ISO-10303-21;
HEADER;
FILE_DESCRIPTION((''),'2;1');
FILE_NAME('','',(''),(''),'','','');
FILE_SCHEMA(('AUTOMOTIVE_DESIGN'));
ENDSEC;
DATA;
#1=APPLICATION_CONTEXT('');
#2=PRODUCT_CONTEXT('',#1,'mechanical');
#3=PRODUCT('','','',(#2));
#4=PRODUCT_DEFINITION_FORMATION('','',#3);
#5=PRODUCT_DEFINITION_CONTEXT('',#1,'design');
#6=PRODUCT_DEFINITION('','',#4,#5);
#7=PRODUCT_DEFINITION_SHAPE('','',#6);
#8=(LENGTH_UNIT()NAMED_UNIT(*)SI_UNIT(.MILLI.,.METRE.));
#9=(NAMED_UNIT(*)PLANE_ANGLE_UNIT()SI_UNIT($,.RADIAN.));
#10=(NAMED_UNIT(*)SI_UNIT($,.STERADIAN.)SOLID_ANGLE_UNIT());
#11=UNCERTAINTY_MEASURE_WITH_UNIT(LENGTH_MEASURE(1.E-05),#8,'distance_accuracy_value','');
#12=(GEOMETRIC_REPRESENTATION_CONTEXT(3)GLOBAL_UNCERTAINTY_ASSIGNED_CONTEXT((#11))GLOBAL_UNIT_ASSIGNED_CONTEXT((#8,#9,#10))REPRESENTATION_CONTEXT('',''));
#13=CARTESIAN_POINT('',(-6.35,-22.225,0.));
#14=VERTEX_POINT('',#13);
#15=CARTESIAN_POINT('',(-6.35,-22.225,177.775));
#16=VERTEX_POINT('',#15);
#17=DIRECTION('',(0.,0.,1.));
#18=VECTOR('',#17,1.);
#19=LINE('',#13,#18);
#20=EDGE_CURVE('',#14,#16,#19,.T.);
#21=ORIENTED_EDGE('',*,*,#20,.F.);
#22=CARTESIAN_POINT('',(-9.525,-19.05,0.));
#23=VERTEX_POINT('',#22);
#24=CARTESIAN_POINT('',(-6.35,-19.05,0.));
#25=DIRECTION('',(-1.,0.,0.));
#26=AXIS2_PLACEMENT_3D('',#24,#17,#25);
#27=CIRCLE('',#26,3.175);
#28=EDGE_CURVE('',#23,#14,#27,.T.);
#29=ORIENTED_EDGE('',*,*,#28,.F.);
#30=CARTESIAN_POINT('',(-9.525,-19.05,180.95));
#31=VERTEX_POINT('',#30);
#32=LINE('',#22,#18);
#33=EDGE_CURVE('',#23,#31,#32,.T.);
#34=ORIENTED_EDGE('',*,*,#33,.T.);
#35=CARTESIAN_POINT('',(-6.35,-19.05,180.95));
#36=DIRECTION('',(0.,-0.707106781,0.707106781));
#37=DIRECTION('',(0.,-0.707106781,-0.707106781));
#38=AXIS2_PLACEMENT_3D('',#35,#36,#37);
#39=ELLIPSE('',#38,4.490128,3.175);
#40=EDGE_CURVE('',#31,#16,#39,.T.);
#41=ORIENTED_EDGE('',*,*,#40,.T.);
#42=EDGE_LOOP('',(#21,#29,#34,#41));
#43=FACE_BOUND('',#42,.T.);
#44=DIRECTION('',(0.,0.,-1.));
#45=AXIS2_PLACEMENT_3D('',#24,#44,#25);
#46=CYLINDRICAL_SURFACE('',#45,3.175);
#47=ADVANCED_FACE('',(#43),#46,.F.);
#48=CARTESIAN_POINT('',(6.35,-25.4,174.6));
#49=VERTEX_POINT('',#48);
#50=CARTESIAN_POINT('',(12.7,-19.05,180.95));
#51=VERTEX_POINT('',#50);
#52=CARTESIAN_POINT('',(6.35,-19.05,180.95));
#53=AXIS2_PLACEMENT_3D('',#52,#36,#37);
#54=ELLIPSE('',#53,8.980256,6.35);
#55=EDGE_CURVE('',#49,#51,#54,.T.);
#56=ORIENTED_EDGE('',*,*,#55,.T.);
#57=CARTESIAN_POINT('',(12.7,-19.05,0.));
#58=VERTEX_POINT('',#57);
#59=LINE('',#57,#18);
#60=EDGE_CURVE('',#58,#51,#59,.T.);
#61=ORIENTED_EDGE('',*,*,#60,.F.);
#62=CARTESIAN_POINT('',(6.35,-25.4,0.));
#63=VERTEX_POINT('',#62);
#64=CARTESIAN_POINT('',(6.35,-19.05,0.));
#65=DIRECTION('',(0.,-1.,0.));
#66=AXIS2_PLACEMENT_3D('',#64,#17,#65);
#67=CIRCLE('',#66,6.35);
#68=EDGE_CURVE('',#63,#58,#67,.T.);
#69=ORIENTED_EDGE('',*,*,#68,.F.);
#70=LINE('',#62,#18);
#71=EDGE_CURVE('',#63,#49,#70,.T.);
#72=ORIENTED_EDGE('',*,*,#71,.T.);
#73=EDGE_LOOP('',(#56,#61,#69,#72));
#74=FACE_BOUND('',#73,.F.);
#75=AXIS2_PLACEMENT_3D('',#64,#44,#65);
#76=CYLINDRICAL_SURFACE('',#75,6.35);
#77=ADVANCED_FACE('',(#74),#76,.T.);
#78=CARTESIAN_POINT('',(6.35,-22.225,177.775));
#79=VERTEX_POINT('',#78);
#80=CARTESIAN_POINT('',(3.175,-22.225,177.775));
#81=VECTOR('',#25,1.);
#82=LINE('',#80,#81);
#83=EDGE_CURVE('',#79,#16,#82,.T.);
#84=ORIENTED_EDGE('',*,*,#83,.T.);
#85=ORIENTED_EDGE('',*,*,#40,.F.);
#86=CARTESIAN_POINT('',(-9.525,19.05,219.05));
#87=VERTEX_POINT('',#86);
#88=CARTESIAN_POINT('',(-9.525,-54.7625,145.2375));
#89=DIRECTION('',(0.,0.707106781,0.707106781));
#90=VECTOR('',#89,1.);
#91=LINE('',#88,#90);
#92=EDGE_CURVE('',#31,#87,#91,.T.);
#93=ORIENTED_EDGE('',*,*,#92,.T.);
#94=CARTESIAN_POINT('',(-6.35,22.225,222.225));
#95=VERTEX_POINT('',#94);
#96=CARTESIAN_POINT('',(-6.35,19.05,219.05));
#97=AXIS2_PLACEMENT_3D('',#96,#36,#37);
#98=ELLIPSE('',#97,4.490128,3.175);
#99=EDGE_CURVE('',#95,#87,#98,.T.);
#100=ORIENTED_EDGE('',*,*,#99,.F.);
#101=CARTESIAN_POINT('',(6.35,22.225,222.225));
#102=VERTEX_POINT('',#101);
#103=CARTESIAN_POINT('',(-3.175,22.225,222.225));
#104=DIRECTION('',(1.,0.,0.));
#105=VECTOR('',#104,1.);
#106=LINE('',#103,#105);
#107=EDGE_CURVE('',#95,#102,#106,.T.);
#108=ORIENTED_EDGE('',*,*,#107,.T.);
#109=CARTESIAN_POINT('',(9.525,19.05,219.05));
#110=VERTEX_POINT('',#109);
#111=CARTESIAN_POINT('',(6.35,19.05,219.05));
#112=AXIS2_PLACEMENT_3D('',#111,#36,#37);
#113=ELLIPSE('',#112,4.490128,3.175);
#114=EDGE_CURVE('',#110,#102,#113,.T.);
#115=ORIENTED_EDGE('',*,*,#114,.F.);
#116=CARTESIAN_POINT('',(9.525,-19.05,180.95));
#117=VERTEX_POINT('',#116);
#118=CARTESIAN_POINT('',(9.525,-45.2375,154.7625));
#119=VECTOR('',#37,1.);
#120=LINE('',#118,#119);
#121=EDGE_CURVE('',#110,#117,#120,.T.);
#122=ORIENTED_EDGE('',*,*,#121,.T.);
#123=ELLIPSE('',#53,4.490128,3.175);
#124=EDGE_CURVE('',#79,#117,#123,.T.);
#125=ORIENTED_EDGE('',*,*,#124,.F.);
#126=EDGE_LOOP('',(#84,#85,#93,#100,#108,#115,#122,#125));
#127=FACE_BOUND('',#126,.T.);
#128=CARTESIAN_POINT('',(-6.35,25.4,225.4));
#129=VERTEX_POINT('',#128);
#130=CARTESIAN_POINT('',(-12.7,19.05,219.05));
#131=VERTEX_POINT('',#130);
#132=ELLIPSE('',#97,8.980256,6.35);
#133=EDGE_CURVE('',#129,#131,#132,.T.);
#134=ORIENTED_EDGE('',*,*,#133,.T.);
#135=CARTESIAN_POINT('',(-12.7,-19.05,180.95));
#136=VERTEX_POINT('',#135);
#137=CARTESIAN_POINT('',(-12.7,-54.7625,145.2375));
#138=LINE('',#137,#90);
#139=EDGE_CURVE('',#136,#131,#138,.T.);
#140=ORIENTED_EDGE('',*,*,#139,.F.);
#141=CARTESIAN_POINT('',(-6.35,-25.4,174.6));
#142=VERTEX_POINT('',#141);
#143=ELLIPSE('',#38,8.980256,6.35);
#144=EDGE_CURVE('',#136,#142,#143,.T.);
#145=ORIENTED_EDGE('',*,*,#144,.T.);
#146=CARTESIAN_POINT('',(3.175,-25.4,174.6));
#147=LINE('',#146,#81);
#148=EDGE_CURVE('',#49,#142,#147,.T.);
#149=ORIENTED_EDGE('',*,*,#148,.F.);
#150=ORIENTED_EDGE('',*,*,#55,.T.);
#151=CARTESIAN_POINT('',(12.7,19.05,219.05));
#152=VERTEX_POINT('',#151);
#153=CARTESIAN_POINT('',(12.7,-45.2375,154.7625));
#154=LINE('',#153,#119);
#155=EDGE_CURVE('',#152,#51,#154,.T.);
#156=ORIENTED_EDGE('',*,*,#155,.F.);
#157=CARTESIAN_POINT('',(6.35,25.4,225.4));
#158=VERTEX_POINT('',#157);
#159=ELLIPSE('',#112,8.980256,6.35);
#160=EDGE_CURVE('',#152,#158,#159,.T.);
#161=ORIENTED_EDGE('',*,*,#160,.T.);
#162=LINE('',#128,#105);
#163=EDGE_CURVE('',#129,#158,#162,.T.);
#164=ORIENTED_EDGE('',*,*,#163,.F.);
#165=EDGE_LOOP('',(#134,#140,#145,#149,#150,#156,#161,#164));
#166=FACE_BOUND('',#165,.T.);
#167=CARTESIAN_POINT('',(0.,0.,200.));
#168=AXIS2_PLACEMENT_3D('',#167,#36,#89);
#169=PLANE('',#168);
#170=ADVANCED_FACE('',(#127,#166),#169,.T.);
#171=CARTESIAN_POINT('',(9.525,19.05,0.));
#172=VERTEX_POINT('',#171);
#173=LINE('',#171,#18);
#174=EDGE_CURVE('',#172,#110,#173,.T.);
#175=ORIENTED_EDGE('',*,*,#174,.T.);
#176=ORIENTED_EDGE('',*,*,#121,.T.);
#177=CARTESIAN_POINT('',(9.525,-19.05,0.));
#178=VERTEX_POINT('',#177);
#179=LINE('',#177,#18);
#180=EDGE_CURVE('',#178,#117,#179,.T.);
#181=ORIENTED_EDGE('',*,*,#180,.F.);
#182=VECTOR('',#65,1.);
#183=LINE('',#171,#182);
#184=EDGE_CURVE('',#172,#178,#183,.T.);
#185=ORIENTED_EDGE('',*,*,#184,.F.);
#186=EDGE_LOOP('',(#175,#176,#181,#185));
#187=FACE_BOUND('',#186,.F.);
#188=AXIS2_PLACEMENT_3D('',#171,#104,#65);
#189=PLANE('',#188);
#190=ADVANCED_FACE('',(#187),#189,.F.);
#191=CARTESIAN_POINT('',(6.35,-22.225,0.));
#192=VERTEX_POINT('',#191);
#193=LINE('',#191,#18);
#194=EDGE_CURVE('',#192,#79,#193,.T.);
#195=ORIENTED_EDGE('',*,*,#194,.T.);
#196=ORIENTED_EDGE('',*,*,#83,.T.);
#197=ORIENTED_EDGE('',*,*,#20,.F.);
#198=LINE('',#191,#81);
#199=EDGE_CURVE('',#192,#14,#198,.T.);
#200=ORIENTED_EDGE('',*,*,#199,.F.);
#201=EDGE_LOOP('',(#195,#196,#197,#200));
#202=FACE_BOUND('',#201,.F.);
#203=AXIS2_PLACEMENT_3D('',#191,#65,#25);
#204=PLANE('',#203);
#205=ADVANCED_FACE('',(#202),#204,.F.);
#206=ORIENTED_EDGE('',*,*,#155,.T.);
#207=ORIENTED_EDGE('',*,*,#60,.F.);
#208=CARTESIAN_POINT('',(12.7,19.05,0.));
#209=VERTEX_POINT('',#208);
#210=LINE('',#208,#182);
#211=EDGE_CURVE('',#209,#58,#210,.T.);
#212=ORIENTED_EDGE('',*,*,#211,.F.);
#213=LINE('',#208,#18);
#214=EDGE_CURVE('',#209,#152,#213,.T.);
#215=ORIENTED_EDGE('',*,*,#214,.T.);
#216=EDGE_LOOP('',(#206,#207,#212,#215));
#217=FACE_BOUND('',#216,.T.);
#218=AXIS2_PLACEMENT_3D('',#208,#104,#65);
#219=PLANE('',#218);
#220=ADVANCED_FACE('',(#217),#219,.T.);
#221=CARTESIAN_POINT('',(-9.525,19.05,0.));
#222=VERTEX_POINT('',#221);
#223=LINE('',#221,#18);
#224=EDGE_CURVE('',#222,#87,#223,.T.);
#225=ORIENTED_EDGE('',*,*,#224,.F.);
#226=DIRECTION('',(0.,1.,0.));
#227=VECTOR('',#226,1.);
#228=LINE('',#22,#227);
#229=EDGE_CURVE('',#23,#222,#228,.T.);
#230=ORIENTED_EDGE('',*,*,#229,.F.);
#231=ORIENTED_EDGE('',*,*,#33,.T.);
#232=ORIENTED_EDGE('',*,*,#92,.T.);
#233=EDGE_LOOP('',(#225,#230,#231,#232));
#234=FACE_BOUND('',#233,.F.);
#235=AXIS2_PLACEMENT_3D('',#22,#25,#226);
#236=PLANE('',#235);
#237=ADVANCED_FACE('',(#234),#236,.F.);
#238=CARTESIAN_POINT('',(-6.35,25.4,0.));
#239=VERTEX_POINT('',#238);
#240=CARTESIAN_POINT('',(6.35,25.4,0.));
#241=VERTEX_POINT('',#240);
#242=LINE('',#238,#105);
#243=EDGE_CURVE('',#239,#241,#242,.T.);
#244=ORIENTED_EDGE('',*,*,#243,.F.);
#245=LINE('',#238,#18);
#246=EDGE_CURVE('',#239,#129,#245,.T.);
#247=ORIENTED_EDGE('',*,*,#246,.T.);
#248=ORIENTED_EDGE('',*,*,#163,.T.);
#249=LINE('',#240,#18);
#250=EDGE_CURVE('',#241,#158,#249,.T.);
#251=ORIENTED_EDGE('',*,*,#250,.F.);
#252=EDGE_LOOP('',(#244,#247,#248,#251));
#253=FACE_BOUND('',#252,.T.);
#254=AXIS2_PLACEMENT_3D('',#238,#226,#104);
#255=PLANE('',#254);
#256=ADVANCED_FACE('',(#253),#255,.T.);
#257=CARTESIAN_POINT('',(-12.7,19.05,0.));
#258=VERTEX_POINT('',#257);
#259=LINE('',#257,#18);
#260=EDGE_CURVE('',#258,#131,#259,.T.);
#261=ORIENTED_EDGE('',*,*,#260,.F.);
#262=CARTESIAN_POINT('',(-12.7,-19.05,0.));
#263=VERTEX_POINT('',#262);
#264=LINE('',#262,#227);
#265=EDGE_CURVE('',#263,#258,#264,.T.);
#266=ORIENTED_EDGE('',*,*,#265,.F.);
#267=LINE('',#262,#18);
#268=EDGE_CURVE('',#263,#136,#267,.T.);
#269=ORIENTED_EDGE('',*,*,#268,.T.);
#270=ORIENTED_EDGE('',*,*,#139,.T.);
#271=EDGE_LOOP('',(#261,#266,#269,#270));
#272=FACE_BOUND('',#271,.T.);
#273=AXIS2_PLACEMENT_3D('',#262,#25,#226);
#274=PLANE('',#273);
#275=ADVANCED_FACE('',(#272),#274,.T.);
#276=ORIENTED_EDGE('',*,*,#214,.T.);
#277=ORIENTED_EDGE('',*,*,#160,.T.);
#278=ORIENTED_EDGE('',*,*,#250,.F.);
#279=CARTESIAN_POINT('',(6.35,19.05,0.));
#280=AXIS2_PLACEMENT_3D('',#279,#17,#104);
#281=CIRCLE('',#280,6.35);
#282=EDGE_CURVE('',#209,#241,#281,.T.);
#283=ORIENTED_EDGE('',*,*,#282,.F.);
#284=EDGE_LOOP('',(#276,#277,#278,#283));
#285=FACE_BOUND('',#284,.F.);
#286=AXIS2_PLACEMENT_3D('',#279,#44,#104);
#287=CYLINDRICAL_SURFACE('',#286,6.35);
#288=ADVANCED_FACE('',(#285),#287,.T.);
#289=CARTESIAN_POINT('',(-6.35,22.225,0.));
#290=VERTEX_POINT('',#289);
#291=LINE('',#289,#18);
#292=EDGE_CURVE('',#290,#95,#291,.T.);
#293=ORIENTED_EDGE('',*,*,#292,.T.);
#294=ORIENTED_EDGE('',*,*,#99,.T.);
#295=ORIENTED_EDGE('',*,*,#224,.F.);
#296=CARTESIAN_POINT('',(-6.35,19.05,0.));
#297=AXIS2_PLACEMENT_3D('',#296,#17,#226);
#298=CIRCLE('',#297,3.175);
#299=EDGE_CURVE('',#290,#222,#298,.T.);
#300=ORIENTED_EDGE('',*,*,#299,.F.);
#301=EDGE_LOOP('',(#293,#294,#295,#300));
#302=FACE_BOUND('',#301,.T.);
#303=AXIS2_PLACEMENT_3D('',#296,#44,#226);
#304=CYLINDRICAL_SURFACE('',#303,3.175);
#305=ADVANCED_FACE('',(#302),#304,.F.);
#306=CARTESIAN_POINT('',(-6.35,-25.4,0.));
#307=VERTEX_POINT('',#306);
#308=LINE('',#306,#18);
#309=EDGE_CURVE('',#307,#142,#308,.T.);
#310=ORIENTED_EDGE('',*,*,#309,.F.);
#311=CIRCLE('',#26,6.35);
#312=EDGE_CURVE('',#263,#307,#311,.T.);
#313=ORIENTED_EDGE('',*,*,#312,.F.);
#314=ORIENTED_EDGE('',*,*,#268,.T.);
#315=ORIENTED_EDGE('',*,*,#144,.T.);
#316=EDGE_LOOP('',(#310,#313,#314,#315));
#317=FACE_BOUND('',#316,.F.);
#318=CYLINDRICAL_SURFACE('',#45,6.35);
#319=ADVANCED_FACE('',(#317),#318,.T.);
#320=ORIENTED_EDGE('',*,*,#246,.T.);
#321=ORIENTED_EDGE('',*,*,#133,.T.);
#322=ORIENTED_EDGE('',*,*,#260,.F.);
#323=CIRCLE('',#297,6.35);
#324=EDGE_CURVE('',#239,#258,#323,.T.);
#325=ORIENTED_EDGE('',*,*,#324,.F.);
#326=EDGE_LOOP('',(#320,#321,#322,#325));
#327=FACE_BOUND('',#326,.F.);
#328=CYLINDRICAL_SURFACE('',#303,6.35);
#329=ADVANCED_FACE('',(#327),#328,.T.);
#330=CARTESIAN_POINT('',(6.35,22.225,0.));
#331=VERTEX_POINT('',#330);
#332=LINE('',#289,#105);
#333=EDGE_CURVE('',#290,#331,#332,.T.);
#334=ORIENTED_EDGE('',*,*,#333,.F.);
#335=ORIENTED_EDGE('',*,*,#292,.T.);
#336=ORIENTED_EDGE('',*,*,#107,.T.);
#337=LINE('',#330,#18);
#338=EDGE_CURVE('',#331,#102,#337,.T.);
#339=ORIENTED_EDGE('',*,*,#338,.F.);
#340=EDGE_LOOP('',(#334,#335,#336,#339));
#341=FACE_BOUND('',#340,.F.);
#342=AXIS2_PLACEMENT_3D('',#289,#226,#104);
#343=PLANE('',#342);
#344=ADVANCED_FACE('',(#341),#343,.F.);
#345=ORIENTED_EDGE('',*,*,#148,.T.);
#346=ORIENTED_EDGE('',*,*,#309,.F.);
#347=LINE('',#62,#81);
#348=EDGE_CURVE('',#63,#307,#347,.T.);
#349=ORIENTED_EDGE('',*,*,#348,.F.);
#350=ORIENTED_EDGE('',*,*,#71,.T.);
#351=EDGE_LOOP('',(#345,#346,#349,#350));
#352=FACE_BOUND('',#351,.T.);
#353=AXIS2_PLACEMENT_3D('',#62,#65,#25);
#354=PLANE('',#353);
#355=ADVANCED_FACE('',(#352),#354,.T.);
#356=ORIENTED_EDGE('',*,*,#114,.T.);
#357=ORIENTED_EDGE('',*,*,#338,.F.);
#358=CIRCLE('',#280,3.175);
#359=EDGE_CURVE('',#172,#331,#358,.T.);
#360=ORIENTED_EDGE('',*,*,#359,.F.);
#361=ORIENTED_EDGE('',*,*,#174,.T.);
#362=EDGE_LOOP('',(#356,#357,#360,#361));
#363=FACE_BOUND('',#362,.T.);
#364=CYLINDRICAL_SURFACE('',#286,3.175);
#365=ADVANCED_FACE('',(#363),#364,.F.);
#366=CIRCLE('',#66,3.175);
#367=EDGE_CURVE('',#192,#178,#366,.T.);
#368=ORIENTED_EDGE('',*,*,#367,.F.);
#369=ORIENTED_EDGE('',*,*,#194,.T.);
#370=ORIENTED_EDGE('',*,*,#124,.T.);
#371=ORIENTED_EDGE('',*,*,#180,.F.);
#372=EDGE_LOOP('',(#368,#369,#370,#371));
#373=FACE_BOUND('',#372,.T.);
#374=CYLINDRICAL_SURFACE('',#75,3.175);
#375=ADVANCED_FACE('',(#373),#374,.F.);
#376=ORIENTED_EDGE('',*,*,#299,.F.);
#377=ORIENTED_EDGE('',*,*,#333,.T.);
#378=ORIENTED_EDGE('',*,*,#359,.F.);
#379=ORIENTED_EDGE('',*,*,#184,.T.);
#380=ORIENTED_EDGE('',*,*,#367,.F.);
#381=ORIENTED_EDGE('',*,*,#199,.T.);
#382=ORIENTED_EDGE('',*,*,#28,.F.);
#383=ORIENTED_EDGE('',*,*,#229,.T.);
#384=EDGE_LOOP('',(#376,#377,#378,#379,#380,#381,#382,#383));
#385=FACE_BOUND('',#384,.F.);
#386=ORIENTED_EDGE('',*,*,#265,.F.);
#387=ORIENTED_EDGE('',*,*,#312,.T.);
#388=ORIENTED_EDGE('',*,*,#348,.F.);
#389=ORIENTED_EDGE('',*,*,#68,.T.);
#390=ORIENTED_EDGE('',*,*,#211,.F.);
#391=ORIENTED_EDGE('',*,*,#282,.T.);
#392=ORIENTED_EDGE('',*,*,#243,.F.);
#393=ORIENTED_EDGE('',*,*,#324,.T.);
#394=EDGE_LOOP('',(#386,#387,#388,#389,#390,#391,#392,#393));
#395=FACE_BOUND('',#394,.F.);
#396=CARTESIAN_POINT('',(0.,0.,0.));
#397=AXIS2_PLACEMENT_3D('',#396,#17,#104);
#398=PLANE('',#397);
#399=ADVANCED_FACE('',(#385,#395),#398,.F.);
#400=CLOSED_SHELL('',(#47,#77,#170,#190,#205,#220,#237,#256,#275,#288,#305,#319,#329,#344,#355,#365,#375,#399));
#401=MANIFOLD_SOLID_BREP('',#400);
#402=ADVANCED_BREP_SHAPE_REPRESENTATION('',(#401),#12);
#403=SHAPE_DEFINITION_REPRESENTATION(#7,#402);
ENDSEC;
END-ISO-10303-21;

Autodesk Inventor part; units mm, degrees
ref_plane "Start Plane" through (0, 0, 0) normal (0, 0, 1) x (1, 0, 0)
ref_plane "End Plane" through (0, 0, 225.4) normal (0, 0, 1) x (1, 0, 0)
sketch "Sketch" plane through (0, 0, 0) normal (0, 0, 1) x (1, 0, 0)
  line L0 (-12.7, -19.05) -> (-12.7, 19.05)
  line L1 (-6.35, 25.4) -> (6.35, 25.4)
  line L2 (12.7, 19.05) -> (12.7, -19.05)
  line L3 (6.35, -25.4) -> (-6.35, -25.4)
  arc A0 (-12.7, -19.05) -> (-6.35, -25.4) centre (-6.35, -19.05) ccw
  arc A1 (-6.35, 25.4) -> (-12.7, 19.05) centre (-6.35, 19.05) ccw
  arc A2 (12.7, 19.05) -> (6.35, 25.4) centre (6.35, 19.05) ccw
  arc A3 (6.35, -25.4) -> (12.7, -19.05) centre (6.35, -19.05) ccw
  arc A4 (-6.35, 22.225) -> (-9.525, 19.05) centre (-6.35, 19.05) ccw
  line L4 (-6.35, 22.225) -> (6.35, 22.225)
  arc A5 (9.525, 19.05) -> (6.35, 22.225) centre (6.35, 19.05) ccw
  line L5 (9.525, 19.05) -> (9.525, -19.05)
  arc A6 (6.35, -22.225) -> (9.525, -19.05) centre (6.35, -19.05) ccw
  line L6 (6.35, -22.225) -> (-6.35, -22.225)
  arc A7 (-9.525, -19.05) -> (-6.35, -22.225) centre (-6.35, -19.05) ccw
  line L7 (-9.525, -19.05) -> (-9.525, 19.05)
  line L8 (0, 37.4012) -> (0, -37.4012) construction
  line L9 (-19.6212, 0) -> (19.6212, 0) construction
  dimension "d10" = 50.8
  dimension "d11" = 25.4
  dimension "d12" = 3.175
  dimension "d15" = 25.4
  dimension "d16" = 12.7
  dimension "d17" = 6.35
extrude "Body" add sketch "Sketch" along normal up to surface (225.4 mm away) from surface at 0
sketch "Sketch3" plane through (0, 0, 0) normal (0, 0, 1) x (1, 0, 0)
  line L0 (0, 0) -> (10, 0)
ref_plane "Work Plane3" through (0, 0, 0) normal (0, -1, 0) x (1, 0, 0)
ref_plane "Work Plane4" through (0, 0, 200) normal (0, -0.7071, 0.7071) x (1, 0, 0)
split "Split1" plane through (0, 0, 200) removes the side toward (0, -0.7071, 0.7071)
sketch "Sketch4" plane through (0, 0, 0) normal (0, -1, 0) x (1, 0, 0)
  line L0 (-2, 0) -> (12, 0) projected
  line L1 (-2, 225.4) -> (12, 225.4) projected
  dimension "d19" = 225.4
equation "\"d10\" = G_H"
equation "\"d11\" = G_W"
equation "\"d12\" = G_T"
equation "\"d15\" = 0.5 * d10"
equation "\"d16\" = 0.5 * d11"
equation "\"d17\" = G_IR"
equation "\"d3\" = G_L"
equation "\"G_W\" = 25.4"
equation "\"G_H\" = 50.8"
equation "\"G_T\" = 3.175"
equation "\"G_IR\" = 6.35"
equation "\"G_L\" = d19"
equation "\"G_OFFSET_START\" = 0"
equation "\"G_OFFSET_END\" = 25.4"
equation "\"d14\" = G_OFFSET_END + B_L"
equation "\"B_L\" = 200"
properties part number "AISC - 2 x 1 x 1/8 - 8.874" material "Steel, Mild"
